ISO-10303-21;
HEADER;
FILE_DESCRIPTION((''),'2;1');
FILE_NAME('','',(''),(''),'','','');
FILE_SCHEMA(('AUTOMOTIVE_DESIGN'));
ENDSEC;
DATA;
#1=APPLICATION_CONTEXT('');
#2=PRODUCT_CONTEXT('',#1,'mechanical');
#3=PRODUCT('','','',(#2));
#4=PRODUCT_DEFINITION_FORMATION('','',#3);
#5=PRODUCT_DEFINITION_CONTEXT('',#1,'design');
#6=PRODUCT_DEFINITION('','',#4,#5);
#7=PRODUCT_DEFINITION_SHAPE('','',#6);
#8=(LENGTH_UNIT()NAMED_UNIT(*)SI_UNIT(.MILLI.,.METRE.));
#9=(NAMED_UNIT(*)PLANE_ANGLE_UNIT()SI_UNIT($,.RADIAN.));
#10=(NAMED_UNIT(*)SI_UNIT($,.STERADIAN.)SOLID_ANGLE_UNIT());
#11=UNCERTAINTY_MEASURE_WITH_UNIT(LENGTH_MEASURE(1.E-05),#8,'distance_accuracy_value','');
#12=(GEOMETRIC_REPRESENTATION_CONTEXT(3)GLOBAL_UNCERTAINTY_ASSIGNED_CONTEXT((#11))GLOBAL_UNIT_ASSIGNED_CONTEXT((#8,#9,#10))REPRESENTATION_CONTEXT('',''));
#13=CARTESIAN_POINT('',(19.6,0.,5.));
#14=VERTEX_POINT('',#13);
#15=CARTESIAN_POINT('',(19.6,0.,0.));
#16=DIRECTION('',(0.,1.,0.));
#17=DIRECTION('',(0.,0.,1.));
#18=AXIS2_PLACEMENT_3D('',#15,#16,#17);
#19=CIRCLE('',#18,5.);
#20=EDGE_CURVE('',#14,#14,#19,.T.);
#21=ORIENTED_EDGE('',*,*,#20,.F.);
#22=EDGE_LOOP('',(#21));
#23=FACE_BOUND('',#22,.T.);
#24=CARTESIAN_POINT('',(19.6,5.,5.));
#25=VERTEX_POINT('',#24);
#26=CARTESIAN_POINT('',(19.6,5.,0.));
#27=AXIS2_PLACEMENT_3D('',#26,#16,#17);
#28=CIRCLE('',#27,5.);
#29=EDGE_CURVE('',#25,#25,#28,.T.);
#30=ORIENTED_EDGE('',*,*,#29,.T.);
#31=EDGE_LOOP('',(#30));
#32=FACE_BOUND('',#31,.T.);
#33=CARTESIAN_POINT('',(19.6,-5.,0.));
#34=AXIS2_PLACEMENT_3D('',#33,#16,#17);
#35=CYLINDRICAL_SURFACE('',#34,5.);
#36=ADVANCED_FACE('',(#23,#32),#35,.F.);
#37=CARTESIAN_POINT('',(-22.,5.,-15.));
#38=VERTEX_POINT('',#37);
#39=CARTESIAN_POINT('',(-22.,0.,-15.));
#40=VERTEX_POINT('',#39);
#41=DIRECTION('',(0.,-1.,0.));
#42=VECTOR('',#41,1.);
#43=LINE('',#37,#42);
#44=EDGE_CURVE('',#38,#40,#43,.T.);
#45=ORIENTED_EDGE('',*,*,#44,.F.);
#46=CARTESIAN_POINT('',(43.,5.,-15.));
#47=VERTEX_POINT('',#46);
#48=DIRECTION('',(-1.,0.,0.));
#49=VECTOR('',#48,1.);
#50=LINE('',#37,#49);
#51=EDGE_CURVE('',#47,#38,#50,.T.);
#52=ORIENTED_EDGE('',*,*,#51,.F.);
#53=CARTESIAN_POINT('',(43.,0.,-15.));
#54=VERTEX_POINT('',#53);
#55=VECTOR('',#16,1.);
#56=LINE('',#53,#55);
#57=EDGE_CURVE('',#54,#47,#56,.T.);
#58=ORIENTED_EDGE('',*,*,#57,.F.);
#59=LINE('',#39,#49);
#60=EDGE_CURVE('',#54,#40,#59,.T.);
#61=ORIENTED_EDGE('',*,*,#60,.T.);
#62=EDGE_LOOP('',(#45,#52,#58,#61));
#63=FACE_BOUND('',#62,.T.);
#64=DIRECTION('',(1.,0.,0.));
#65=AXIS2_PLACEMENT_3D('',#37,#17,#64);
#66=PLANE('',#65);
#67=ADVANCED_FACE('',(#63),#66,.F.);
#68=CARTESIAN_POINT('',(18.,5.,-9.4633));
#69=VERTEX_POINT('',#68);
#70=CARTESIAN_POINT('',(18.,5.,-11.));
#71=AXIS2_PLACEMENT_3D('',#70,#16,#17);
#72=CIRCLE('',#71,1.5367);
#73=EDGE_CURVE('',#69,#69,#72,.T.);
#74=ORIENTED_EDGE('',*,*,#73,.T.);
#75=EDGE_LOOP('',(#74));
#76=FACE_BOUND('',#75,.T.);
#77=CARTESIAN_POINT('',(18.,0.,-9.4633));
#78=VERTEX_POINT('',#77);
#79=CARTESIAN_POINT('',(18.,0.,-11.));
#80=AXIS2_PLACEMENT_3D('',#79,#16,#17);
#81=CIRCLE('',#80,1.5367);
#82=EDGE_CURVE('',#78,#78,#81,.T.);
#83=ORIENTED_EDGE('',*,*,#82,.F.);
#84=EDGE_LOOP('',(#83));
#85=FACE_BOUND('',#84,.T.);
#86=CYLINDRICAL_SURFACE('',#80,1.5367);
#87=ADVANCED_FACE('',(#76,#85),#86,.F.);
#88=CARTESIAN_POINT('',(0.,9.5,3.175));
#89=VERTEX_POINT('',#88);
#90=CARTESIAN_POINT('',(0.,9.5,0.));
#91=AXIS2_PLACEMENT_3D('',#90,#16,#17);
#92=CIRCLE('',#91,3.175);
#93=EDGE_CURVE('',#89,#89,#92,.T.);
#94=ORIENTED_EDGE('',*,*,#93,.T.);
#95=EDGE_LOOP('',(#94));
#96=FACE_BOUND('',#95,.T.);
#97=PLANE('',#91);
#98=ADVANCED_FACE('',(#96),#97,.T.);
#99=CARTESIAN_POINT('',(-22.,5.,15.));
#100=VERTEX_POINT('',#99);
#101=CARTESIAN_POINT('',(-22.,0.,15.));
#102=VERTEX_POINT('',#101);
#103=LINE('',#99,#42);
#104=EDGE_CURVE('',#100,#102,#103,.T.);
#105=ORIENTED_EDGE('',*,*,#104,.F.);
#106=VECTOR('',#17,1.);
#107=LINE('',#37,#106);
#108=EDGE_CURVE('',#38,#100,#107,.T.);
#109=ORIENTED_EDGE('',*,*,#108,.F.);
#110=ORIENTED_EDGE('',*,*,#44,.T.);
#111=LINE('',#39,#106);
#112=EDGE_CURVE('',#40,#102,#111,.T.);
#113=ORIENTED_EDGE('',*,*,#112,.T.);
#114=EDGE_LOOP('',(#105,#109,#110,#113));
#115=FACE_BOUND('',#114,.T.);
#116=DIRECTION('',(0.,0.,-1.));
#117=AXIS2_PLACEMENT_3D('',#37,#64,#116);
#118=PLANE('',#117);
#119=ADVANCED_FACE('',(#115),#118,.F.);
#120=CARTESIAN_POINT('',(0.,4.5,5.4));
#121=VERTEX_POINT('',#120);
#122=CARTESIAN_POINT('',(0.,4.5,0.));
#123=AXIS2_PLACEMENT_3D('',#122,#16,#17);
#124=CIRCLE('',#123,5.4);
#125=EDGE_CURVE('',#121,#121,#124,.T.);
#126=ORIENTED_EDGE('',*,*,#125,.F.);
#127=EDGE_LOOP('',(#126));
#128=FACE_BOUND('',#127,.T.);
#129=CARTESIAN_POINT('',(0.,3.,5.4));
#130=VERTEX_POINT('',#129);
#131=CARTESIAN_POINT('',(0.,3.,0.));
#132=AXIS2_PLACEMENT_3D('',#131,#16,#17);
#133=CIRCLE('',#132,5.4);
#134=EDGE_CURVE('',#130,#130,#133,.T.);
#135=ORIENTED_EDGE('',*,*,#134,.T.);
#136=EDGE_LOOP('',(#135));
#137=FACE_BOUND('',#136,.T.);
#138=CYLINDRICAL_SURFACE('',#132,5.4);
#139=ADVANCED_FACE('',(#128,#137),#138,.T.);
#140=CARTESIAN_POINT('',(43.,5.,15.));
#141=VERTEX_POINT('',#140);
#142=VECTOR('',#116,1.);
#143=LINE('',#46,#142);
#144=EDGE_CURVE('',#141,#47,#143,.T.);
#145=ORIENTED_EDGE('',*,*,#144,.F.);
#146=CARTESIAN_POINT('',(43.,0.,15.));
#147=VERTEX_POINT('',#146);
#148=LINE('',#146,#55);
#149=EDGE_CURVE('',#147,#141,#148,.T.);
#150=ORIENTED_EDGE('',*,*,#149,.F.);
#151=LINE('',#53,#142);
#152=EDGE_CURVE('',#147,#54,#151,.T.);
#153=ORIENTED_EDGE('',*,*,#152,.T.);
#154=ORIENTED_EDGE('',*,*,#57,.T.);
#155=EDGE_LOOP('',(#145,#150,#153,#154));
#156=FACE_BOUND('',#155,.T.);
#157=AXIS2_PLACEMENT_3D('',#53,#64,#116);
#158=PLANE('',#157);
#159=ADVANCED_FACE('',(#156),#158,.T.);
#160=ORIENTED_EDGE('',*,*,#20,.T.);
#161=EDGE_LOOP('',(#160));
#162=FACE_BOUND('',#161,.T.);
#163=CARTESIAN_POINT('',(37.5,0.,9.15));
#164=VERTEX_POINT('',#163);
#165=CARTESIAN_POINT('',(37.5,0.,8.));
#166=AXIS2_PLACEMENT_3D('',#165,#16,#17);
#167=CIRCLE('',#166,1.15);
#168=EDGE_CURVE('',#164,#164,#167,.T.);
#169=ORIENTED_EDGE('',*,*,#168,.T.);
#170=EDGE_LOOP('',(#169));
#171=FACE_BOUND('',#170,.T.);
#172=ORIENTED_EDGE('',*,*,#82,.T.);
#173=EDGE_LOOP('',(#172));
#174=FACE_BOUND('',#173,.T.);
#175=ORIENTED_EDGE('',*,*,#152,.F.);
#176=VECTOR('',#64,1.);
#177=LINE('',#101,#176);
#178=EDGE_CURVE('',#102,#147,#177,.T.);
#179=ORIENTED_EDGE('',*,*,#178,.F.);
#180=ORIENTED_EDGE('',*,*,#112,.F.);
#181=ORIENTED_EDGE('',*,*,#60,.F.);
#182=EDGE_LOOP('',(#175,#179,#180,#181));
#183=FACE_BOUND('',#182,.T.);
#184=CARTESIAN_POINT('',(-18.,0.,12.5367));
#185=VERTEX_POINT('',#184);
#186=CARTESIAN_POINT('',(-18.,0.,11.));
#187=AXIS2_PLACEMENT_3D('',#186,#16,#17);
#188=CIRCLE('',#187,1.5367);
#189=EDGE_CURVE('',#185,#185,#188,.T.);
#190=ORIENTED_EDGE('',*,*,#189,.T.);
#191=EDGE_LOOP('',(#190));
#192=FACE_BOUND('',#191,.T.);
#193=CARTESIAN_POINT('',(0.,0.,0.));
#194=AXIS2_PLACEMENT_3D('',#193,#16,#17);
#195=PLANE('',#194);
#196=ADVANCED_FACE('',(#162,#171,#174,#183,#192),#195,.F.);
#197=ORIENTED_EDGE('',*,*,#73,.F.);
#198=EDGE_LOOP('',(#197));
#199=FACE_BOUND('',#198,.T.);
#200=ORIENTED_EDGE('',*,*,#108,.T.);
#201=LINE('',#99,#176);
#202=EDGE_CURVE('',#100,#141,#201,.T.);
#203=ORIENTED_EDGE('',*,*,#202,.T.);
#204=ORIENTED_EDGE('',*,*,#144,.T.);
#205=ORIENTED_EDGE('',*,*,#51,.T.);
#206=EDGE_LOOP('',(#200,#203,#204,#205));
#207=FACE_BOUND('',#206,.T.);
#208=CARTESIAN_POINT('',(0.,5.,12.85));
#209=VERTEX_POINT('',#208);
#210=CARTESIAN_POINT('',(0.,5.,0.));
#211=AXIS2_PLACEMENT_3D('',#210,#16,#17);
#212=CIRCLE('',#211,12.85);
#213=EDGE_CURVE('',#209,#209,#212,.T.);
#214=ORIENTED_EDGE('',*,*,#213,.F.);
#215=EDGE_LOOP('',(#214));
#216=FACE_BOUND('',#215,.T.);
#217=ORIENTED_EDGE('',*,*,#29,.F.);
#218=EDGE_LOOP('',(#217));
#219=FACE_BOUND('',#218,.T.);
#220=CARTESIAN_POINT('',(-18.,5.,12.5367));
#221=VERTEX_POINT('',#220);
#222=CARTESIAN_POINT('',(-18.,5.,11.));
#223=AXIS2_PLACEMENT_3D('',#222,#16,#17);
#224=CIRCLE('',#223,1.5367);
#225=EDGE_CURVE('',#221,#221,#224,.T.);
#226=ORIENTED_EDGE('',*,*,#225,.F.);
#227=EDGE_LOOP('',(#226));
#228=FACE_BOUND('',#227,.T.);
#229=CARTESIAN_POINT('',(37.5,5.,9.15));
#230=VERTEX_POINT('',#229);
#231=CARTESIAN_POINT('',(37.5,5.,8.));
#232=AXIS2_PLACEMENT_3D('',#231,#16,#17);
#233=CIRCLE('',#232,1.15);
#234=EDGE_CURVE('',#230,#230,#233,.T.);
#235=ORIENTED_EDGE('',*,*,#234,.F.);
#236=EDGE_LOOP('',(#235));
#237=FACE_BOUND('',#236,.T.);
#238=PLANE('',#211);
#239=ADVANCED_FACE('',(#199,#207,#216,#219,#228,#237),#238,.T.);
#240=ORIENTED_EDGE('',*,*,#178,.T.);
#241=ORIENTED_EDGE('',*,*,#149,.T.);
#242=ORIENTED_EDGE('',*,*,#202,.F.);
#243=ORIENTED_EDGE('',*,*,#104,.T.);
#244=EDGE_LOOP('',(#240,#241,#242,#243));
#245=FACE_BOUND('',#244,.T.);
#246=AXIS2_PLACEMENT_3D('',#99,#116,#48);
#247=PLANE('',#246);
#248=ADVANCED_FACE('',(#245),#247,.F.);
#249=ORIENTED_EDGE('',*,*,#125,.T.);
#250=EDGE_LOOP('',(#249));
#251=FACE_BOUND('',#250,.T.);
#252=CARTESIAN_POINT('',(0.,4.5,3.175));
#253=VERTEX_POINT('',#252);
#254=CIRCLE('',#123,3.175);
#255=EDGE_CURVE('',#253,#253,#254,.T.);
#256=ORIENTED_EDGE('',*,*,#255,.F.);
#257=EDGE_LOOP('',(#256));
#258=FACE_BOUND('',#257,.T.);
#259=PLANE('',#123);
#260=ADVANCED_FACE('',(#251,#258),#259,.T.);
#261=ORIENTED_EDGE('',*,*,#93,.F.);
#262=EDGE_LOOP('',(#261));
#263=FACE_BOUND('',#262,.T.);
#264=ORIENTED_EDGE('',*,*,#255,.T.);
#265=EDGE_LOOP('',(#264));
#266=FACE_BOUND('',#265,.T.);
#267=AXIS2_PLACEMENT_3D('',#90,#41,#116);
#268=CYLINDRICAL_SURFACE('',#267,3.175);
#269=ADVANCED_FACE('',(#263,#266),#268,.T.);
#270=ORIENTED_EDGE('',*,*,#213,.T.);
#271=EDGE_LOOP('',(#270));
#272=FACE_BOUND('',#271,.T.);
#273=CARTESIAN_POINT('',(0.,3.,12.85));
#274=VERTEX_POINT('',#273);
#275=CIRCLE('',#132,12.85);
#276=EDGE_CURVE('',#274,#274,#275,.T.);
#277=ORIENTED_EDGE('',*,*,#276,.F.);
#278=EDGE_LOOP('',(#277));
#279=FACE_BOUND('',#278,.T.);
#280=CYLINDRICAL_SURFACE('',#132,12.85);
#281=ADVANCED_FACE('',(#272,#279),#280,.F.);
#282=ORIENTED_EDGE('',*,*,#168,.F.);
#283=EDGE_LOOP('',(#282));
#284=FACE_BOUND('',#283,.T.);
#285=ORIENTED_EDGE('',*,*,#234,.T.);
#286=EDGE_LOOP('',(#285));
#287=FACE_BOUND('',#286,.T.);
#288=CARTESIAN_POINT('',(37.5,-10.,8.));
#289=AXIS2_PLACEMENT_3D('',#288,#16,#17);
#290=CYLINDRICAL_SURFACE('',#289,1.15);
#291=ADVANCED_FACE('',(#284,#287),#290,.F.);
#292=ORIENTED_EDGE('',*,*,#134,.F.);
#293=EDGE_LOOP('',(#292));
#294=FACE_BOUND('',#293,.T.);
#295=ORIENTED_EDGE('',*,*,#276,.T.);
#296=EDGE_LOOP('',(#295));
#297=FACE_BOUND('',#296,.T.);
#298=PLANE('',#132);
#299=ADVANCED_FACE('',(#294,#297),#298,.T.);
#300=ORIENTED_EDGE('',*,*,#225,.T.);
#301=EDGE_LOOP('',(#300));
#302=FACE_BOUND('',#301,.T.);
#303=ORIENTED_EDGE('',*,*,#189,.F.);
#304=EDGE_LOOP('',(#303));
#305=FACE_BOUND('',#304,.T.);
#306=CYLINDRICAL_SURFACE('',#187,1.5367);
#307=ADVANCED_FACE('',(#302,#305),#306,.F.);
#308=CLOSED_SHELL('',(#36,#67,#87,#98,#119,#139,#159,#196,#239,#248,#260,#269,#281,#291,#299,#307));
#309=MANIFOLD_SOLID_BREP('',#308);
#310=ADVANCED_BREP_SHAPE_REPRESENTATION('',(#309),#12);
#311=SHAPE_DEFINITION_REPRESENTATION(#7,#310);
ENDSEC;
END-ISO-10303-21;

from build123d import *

# Parameters (mm, degrees)
SKETCH1_W           = 57
SKETCH1_H           = 30
BOSS_EXTRUDE1_DEPTH = 5
SKETCH2_R           = 3.175
BOSS_EXTRUDE2_DEPTH = 4.5
SKETCH3_R           = 1.5367
CUT_EXTRUDE1_DEPTH  = 5
SKETCH4_R           = 12.85
SKETCH4_R_2         = 5.4
CUT_EXTRUDE2_DEPTH  = 2
SKETCH5_R           = 5
CUT_EXTRUDE3_DEPTH  = 10
SKETCH6_W           = 8
SKETCH6_H           = 30
BOSS_EXTRUDE3_DEPTH = 5
SKETCH7_R           = 5.4
SKETCH7_R_2         = 3.175
CUT_EXTRUDE4_DEPTH  = 0.5
SKETCH8_R           = 1.15
CUT_EXTRUDE5_DEPTH  = 15


with BuildPart() as part:
    # Sketch1 → Boss-Extrude1 (new body)
    with BuildSketch(Plane(origin=(0, 0, 0), x_dir=(1, 0, 0), z_dir=(0, 1, 0))):
        with Locations((6.5, 0)):
            Rectangle(SKETCH1_W, SKETCH1_H)
    extrude(amount=BOSS_EXTRUDE1_DEPTH)

    # Sketch2 → Boss-Extrude2 (add)
    with BuildSketch(Plane(origin=(0, 5, 0), x_dir=(1, 0, 0), z_dir=(0, 1, 0))):
        with Locations(Location((0, 0, 0), (0, 0, 270))):
            Circle(SKETCH2_R)
    extrude(amount=BOSS_EXTRUDE2_DEPTH)

    # Sketch3 → Cut-Extrude1 (cut)
    with BuildSketch(Plane(origin=(0, 5, 0), x_dir=(1, 0, 0), z_dir=(0, 1, 0))):
        with Locations(Location((-18, -11, 0), (0, 0, 270))):
            Circle(SKETCH3_R)
        with Locations(Location((18, 11, 0), (0, 0, 270))):
            Circle(SKETCH3_R)
    extrude(amount=-CUT_EXTRUDE1_DEPTH, mode=Mode.SUBTRACT)

    # Sketch4 → Cut-Extrude2 (cut)
    with BuildSketch(Plane(origin=(0, 5, 0), x_dir=(1, 0, 0), z_dir=(0, 1, 0))):
        with Locations(Location((0, 0, 0), (0, 0, 270))):
            Circle(SKETCH4_R)
        with Locations(Location((0, 0, 0), (0, 0, 270))):
            Circle(SKETCH4_R_2, mode=Mode.SUBTRACT)
    extrude(amount=-CUT_EXTRUDE2_DEPTH, mode=Mode.SUBTRACT)

    # Sketch5 → Cut-Extrude3 (cut)
    with BuildSketch(Plane(origin=(0, 5, 0), x_dir=(1, 0, 0), z_dir=(0, 1, 0))):
        with Locations(Location((19.6, 0, 0), (0, 0, 270))):
            Circle(SKETCH5_R)
    extrude(amount=-CUT_EXTRUDE3_DEPTH, mode=Mode.SUBTRACT)

    # Sketch6 → Boss-Extrude3 (add)
    with BuildSketch(Plane(origin=(0, 5, 0), x_dir=(1, 0, 0), z_dir=(0, 1, 0))):
        with Locations((39, 0)):
            Rectangle(SKETCH6_W, SKETCH6_H)
    extrude(amount=-BOSS_EXTRUDE3_DEPTH)

    # Sketch7 → Cut-Extrude4 (cut)
    with BuildSketch(Plane(origin=(0, 5, 0), x_dir=(1, 0, 0), z_dir=(0, 1, 0))):
        with Locations(Location((0, 0, 0), (0, 0, 270))):
            Circle(SKETCH7_R)
        with Locations(Location((0, 0, 0), (0, 0, 270))):
            Circle(SKETCH7_R_2, mode=Mode.SUBTRACT)
    extrude(amount=-CUT_EXTRUDE4_DEPTH, mode=Mode.SUBTRACT)

    # Sketch8 → Cut-Extrude5 (cut)
    with BuildSketch(Plane(origin=(0, 5, 0), x_dir=(1, 0, 0), z_dir=(0, 1, 0))):
        with Locations(Location((37.5, -8, 0), (0, 0, 270))):
            Circle(SKETCH8_R)
    extrude(amount=-CUT_EXTRUDE5_DEPTH, mode=Mode.SUBTRACT)


solid = part.part
